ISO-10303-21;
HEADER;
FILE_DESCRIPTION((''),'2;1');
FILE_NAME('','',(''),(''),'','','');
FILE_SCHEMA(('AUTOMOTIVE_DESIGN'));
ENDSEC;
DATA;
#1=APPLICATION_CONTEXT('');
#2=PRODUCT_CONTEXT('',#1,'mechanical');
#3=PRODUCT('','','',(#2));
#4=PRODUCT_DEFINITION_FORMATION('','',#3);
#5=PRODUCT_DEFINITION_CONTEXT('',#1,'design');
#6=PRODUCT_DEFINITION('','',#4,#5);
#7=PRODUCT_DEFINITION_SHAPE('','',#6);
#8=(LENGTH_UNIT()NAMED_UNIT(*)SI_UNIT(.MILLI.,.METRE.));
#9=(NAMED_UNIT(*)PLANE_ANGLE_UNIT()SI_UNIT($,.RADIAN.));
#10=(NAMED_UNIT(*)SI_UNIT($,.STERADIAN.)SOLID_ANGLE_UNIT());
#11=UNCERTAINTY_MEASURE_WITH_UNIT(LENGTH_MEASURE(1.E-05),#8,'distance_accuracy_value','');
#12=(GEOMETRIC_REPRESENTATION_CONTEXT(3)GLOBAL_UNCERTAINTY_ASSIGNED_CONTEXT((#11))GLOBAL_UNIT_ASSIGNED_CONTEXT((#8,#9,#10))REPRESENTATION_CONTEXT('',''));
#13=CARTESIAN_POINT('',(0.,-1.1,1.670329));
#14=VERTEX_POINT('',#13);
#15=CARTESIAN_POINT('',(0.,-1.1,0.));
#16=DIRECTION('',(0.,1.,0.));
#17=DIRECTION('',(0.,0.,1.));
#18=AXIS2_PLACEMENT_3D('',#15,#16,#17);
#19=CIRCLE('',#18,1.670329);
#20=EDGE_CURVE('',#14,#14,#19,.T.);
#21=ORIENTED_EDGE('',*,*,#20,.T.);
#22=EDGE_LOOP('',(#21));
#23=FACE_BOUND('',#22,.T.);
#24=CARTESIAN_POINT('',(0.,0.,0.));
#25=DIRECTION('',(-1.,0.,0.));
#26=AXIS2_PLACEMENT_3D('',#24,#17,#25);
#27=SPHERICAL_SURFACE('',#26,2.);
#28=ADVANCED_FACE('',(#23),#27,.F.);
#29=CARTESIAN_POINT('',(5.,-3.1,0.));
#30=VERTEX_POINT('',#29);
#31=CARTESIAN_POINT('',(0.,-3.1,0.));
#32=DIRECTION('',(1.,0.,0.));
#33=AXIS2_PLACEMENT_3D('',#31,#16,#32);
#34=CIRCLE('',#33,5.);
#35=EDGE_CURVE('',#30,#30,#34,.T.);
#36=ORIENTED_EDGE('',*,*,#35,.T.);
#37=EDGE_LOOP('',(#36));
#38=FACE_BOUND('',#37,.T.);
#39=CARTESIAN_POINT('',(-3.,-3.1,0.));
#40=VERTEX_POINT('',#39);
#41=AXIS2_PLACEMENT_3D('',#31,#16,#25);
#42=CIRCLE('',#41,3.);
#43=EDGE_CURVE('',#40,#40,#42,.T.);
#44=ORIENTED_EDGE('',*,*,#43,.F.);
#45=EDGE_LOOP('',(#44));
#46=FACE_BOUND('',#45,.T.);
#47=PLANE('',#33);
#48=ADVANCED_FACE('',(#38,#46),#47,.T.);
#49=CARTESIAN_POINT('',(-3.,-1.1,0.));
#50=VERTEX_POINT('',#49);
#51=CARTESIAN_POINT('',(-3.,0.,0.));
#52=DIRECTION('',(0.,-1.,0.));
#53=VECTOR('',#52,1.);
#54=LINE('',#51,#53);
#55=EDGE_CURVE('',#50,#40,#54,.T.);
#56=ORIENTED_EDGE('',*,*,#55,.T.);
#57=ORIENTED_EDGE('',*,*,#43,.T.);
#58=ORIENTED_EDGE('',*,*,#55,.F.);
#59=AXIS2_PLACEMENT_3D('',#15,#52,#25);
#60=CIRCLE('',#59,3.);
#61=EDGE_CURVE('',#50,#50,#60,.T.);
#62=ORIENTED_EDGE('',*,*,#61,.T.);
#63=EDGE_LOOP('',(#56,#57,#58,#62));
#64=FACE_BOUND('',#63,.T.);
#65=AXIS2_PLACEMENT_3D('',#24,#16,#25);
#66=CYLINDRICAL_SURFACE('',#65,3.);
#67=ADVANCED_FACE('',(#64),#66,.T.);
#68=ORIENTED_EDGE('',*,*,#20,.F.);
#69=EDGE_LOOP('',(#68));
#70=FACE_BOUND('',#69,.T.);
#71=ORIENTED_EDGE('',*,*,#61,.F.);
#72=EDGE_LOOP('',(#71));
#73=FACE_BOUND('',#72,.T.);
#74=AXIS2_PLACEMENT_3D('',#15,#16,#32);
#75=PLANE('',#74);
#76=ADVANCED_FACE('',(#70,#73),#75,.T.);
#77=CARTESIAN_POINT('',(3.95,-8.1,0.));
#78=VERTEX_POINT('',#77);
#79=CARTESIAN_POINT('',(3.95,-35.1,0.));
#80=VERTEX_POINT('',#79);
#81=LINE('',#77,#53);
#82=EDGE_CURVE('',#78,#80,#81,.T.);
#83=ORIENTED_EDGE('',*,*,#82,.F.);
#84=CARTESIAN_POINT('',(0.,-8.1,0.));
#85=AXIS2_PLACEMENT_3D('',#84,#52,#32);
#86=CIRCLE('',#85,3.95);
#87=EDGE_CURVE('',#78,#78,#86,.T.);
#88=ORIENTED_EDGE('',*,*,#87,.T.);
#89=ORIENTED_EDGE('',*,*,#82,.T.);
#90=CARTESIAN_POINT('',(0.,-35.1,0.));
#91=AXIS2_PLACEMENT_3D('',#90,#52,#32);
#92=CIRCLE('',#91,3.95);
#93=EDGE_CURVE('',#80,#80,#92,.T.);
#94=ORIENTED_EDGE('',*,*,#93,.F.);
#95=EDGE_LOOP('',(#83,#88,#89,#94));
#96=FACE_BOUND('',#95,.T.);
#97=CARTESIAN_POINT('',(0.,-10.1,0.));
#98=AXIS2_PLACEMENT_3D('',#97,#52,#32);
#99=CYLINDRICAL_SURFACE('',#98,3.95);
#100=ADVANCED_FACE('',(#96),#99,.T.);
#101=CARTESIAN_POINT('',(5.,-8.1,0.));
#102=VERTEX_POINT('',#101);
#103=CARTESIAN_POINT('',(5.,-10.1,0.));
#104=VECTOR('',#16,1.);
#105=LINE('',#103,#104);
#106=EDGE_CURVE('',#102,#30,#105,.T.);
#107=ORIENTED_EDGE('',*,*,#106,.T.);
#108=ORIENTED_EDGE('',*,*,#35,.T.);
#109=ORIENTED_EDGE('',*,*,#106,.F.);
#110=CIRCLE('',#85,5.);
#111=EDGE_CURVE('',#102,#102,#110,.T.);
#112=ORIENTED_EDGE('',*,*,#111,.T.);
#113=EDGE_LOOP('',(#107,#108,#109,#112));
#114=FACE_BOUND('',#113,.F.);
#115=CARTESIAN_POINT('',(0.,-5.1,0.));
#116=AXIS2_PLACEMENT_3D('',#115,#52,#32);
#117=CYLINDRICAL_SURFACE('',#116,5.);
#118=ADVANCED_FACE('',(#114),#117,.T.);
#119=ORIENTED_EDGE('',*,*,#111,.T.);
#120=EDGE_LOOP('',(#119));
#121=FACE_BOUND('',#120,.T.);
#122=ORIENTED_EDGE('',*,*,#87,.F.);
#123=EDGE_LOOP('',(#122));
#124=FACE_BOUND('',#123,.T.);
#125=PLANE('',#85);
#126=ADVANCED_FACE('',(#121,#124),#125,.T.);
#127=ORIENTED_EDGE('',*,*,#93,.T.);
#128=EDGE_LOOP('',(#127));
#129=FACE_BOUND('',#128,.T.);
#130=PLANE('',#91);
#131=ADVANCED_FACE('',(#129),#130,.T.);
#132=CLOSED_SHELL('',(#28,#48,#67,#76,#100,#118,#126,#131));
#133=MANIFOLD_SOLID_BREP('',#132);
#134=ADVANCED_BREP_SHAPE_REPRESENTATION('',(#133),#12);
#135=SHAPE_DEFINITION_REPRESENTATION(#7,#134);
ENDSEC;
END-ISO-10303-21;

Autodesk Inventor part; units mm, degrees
ref_plane "YZ Plane" through (0, 0, 0) normal (1, 0, 0) x (0, 1, 0)
ref_plane "XZ Plane" through (0, 0, 0) normal (0, 1, 0) x (-1, 0, 0)
ref_plane "XY Plane" through (0, 0, 0) normal (0, 0, 1) x (1, 0, 0)
sketch "Sketch1" plane through (0, 0, 0) normal (0, 1, 0) x (-1, 0, 0)
  circle A0 centre (0, 0) radius 2
  circle A1 centre (0, 0) radius 3
  line L0 (0, 2) -> (0, -2)
  dimension "d0" = 4
  dimension "d1" = 6
extrude "Extrusion1" add sketch "Sketch1" against normal blind 15 contours A0 L0 | L0 A0 | A1
revolve "Revolution1" cut sketch "Sketch1" angle 360 about axis through (0, 0, 2) along (0, 0, -1) picked at (0.2893, 0.6006) contours A0 L0
sketch "Sketch2" plane through (0, 0, 0) normal (0, 1, 0) x (1, 0, 0)
  circle A0 centre (0, 0) radius 3 projected
  circle A1 centre (0, 0) radius 2 projected
extrude "Extrusion2" cut sketch "Sketch2" against normal blind 1.1 contours A0 | A1
sketch "Sketch3" plane through (0, -15, 0) normal (0, -1, 0) x (1, 0, 0)
  circle A0 centre (0, 0) radius 5
  circle A1 centre (0, 0) radius 3 projected
  dimension "d7" = 10
extrude "Extrusion3" add sketch "Sketch3" against normal blind 10
sketch "Sketch4" plane through (0, -15, 0) normal (0, -1, 0) x (1, 0, 0)
  circle A0 centre (0, 0) radius 5 projected
extrude "Extrusion4" cut sketch "Sketch4" against normal blind 5
sketch "Sketch5" plane through (0, -10, 0) normal (0, -1, 0) x (1, 0, 0)
  circle A0 centre (0, 0) radius 3.95
  dimension "d12" = 7.9
extrude "Extrusion5" add sketch "Sketch5" along normal blind 25
sketch "Sketch6" plane through (0, -5, 0) normal (0, 1, 0) x (1, 0, 0)
  circle A0 centre (0, 0) radius 3 projected
  circle A1 centre (0, 0) radius 5 projected
extrude "Extrusion6" cut sketch "Sketch6" against normal blind 0.1
sketch "Sketch7" plane through (0, -10, 0) normal (0, -1, 0) x (1, 0, 0)
  circle A0 centre (0, 0) radius 5 projected
  circle A1 centre (0, 0) radius 3.95 projected
extrude "Extrusion7" add sketch "Sketch7" along normal blind 0.1
sketch "Sketch8" plane through (0, -35, 0) normal (0, -1, 0) x (1, 0, 0)
  circle A0 centre (0, 0) radius 3.95 projected
extrude "Extrusion8" add sketch "Sketch8" along normal blind 0.1
sketch "Sketch9" plane through (0, -5.1, 0) normal (0, 1, 0) x (1, 0, 0)
  circle A0 centre (0, 0) radius 5 projected
extrude "Extrusion9" add sketch "Sketch9" along normal blind 2
sketch "Sketch10" plane through (0, -10.1, 0) normal (0, -1, 0) x (1, 0, 0)
  circle A0 centre (0, 0) radius 5 projected
  circle A1 centre (0, 0) radius 3.95 projected
extrude "Extrusion10" cut sketch "Sketch10" against normal blind 2
properties part number "BARRA"
